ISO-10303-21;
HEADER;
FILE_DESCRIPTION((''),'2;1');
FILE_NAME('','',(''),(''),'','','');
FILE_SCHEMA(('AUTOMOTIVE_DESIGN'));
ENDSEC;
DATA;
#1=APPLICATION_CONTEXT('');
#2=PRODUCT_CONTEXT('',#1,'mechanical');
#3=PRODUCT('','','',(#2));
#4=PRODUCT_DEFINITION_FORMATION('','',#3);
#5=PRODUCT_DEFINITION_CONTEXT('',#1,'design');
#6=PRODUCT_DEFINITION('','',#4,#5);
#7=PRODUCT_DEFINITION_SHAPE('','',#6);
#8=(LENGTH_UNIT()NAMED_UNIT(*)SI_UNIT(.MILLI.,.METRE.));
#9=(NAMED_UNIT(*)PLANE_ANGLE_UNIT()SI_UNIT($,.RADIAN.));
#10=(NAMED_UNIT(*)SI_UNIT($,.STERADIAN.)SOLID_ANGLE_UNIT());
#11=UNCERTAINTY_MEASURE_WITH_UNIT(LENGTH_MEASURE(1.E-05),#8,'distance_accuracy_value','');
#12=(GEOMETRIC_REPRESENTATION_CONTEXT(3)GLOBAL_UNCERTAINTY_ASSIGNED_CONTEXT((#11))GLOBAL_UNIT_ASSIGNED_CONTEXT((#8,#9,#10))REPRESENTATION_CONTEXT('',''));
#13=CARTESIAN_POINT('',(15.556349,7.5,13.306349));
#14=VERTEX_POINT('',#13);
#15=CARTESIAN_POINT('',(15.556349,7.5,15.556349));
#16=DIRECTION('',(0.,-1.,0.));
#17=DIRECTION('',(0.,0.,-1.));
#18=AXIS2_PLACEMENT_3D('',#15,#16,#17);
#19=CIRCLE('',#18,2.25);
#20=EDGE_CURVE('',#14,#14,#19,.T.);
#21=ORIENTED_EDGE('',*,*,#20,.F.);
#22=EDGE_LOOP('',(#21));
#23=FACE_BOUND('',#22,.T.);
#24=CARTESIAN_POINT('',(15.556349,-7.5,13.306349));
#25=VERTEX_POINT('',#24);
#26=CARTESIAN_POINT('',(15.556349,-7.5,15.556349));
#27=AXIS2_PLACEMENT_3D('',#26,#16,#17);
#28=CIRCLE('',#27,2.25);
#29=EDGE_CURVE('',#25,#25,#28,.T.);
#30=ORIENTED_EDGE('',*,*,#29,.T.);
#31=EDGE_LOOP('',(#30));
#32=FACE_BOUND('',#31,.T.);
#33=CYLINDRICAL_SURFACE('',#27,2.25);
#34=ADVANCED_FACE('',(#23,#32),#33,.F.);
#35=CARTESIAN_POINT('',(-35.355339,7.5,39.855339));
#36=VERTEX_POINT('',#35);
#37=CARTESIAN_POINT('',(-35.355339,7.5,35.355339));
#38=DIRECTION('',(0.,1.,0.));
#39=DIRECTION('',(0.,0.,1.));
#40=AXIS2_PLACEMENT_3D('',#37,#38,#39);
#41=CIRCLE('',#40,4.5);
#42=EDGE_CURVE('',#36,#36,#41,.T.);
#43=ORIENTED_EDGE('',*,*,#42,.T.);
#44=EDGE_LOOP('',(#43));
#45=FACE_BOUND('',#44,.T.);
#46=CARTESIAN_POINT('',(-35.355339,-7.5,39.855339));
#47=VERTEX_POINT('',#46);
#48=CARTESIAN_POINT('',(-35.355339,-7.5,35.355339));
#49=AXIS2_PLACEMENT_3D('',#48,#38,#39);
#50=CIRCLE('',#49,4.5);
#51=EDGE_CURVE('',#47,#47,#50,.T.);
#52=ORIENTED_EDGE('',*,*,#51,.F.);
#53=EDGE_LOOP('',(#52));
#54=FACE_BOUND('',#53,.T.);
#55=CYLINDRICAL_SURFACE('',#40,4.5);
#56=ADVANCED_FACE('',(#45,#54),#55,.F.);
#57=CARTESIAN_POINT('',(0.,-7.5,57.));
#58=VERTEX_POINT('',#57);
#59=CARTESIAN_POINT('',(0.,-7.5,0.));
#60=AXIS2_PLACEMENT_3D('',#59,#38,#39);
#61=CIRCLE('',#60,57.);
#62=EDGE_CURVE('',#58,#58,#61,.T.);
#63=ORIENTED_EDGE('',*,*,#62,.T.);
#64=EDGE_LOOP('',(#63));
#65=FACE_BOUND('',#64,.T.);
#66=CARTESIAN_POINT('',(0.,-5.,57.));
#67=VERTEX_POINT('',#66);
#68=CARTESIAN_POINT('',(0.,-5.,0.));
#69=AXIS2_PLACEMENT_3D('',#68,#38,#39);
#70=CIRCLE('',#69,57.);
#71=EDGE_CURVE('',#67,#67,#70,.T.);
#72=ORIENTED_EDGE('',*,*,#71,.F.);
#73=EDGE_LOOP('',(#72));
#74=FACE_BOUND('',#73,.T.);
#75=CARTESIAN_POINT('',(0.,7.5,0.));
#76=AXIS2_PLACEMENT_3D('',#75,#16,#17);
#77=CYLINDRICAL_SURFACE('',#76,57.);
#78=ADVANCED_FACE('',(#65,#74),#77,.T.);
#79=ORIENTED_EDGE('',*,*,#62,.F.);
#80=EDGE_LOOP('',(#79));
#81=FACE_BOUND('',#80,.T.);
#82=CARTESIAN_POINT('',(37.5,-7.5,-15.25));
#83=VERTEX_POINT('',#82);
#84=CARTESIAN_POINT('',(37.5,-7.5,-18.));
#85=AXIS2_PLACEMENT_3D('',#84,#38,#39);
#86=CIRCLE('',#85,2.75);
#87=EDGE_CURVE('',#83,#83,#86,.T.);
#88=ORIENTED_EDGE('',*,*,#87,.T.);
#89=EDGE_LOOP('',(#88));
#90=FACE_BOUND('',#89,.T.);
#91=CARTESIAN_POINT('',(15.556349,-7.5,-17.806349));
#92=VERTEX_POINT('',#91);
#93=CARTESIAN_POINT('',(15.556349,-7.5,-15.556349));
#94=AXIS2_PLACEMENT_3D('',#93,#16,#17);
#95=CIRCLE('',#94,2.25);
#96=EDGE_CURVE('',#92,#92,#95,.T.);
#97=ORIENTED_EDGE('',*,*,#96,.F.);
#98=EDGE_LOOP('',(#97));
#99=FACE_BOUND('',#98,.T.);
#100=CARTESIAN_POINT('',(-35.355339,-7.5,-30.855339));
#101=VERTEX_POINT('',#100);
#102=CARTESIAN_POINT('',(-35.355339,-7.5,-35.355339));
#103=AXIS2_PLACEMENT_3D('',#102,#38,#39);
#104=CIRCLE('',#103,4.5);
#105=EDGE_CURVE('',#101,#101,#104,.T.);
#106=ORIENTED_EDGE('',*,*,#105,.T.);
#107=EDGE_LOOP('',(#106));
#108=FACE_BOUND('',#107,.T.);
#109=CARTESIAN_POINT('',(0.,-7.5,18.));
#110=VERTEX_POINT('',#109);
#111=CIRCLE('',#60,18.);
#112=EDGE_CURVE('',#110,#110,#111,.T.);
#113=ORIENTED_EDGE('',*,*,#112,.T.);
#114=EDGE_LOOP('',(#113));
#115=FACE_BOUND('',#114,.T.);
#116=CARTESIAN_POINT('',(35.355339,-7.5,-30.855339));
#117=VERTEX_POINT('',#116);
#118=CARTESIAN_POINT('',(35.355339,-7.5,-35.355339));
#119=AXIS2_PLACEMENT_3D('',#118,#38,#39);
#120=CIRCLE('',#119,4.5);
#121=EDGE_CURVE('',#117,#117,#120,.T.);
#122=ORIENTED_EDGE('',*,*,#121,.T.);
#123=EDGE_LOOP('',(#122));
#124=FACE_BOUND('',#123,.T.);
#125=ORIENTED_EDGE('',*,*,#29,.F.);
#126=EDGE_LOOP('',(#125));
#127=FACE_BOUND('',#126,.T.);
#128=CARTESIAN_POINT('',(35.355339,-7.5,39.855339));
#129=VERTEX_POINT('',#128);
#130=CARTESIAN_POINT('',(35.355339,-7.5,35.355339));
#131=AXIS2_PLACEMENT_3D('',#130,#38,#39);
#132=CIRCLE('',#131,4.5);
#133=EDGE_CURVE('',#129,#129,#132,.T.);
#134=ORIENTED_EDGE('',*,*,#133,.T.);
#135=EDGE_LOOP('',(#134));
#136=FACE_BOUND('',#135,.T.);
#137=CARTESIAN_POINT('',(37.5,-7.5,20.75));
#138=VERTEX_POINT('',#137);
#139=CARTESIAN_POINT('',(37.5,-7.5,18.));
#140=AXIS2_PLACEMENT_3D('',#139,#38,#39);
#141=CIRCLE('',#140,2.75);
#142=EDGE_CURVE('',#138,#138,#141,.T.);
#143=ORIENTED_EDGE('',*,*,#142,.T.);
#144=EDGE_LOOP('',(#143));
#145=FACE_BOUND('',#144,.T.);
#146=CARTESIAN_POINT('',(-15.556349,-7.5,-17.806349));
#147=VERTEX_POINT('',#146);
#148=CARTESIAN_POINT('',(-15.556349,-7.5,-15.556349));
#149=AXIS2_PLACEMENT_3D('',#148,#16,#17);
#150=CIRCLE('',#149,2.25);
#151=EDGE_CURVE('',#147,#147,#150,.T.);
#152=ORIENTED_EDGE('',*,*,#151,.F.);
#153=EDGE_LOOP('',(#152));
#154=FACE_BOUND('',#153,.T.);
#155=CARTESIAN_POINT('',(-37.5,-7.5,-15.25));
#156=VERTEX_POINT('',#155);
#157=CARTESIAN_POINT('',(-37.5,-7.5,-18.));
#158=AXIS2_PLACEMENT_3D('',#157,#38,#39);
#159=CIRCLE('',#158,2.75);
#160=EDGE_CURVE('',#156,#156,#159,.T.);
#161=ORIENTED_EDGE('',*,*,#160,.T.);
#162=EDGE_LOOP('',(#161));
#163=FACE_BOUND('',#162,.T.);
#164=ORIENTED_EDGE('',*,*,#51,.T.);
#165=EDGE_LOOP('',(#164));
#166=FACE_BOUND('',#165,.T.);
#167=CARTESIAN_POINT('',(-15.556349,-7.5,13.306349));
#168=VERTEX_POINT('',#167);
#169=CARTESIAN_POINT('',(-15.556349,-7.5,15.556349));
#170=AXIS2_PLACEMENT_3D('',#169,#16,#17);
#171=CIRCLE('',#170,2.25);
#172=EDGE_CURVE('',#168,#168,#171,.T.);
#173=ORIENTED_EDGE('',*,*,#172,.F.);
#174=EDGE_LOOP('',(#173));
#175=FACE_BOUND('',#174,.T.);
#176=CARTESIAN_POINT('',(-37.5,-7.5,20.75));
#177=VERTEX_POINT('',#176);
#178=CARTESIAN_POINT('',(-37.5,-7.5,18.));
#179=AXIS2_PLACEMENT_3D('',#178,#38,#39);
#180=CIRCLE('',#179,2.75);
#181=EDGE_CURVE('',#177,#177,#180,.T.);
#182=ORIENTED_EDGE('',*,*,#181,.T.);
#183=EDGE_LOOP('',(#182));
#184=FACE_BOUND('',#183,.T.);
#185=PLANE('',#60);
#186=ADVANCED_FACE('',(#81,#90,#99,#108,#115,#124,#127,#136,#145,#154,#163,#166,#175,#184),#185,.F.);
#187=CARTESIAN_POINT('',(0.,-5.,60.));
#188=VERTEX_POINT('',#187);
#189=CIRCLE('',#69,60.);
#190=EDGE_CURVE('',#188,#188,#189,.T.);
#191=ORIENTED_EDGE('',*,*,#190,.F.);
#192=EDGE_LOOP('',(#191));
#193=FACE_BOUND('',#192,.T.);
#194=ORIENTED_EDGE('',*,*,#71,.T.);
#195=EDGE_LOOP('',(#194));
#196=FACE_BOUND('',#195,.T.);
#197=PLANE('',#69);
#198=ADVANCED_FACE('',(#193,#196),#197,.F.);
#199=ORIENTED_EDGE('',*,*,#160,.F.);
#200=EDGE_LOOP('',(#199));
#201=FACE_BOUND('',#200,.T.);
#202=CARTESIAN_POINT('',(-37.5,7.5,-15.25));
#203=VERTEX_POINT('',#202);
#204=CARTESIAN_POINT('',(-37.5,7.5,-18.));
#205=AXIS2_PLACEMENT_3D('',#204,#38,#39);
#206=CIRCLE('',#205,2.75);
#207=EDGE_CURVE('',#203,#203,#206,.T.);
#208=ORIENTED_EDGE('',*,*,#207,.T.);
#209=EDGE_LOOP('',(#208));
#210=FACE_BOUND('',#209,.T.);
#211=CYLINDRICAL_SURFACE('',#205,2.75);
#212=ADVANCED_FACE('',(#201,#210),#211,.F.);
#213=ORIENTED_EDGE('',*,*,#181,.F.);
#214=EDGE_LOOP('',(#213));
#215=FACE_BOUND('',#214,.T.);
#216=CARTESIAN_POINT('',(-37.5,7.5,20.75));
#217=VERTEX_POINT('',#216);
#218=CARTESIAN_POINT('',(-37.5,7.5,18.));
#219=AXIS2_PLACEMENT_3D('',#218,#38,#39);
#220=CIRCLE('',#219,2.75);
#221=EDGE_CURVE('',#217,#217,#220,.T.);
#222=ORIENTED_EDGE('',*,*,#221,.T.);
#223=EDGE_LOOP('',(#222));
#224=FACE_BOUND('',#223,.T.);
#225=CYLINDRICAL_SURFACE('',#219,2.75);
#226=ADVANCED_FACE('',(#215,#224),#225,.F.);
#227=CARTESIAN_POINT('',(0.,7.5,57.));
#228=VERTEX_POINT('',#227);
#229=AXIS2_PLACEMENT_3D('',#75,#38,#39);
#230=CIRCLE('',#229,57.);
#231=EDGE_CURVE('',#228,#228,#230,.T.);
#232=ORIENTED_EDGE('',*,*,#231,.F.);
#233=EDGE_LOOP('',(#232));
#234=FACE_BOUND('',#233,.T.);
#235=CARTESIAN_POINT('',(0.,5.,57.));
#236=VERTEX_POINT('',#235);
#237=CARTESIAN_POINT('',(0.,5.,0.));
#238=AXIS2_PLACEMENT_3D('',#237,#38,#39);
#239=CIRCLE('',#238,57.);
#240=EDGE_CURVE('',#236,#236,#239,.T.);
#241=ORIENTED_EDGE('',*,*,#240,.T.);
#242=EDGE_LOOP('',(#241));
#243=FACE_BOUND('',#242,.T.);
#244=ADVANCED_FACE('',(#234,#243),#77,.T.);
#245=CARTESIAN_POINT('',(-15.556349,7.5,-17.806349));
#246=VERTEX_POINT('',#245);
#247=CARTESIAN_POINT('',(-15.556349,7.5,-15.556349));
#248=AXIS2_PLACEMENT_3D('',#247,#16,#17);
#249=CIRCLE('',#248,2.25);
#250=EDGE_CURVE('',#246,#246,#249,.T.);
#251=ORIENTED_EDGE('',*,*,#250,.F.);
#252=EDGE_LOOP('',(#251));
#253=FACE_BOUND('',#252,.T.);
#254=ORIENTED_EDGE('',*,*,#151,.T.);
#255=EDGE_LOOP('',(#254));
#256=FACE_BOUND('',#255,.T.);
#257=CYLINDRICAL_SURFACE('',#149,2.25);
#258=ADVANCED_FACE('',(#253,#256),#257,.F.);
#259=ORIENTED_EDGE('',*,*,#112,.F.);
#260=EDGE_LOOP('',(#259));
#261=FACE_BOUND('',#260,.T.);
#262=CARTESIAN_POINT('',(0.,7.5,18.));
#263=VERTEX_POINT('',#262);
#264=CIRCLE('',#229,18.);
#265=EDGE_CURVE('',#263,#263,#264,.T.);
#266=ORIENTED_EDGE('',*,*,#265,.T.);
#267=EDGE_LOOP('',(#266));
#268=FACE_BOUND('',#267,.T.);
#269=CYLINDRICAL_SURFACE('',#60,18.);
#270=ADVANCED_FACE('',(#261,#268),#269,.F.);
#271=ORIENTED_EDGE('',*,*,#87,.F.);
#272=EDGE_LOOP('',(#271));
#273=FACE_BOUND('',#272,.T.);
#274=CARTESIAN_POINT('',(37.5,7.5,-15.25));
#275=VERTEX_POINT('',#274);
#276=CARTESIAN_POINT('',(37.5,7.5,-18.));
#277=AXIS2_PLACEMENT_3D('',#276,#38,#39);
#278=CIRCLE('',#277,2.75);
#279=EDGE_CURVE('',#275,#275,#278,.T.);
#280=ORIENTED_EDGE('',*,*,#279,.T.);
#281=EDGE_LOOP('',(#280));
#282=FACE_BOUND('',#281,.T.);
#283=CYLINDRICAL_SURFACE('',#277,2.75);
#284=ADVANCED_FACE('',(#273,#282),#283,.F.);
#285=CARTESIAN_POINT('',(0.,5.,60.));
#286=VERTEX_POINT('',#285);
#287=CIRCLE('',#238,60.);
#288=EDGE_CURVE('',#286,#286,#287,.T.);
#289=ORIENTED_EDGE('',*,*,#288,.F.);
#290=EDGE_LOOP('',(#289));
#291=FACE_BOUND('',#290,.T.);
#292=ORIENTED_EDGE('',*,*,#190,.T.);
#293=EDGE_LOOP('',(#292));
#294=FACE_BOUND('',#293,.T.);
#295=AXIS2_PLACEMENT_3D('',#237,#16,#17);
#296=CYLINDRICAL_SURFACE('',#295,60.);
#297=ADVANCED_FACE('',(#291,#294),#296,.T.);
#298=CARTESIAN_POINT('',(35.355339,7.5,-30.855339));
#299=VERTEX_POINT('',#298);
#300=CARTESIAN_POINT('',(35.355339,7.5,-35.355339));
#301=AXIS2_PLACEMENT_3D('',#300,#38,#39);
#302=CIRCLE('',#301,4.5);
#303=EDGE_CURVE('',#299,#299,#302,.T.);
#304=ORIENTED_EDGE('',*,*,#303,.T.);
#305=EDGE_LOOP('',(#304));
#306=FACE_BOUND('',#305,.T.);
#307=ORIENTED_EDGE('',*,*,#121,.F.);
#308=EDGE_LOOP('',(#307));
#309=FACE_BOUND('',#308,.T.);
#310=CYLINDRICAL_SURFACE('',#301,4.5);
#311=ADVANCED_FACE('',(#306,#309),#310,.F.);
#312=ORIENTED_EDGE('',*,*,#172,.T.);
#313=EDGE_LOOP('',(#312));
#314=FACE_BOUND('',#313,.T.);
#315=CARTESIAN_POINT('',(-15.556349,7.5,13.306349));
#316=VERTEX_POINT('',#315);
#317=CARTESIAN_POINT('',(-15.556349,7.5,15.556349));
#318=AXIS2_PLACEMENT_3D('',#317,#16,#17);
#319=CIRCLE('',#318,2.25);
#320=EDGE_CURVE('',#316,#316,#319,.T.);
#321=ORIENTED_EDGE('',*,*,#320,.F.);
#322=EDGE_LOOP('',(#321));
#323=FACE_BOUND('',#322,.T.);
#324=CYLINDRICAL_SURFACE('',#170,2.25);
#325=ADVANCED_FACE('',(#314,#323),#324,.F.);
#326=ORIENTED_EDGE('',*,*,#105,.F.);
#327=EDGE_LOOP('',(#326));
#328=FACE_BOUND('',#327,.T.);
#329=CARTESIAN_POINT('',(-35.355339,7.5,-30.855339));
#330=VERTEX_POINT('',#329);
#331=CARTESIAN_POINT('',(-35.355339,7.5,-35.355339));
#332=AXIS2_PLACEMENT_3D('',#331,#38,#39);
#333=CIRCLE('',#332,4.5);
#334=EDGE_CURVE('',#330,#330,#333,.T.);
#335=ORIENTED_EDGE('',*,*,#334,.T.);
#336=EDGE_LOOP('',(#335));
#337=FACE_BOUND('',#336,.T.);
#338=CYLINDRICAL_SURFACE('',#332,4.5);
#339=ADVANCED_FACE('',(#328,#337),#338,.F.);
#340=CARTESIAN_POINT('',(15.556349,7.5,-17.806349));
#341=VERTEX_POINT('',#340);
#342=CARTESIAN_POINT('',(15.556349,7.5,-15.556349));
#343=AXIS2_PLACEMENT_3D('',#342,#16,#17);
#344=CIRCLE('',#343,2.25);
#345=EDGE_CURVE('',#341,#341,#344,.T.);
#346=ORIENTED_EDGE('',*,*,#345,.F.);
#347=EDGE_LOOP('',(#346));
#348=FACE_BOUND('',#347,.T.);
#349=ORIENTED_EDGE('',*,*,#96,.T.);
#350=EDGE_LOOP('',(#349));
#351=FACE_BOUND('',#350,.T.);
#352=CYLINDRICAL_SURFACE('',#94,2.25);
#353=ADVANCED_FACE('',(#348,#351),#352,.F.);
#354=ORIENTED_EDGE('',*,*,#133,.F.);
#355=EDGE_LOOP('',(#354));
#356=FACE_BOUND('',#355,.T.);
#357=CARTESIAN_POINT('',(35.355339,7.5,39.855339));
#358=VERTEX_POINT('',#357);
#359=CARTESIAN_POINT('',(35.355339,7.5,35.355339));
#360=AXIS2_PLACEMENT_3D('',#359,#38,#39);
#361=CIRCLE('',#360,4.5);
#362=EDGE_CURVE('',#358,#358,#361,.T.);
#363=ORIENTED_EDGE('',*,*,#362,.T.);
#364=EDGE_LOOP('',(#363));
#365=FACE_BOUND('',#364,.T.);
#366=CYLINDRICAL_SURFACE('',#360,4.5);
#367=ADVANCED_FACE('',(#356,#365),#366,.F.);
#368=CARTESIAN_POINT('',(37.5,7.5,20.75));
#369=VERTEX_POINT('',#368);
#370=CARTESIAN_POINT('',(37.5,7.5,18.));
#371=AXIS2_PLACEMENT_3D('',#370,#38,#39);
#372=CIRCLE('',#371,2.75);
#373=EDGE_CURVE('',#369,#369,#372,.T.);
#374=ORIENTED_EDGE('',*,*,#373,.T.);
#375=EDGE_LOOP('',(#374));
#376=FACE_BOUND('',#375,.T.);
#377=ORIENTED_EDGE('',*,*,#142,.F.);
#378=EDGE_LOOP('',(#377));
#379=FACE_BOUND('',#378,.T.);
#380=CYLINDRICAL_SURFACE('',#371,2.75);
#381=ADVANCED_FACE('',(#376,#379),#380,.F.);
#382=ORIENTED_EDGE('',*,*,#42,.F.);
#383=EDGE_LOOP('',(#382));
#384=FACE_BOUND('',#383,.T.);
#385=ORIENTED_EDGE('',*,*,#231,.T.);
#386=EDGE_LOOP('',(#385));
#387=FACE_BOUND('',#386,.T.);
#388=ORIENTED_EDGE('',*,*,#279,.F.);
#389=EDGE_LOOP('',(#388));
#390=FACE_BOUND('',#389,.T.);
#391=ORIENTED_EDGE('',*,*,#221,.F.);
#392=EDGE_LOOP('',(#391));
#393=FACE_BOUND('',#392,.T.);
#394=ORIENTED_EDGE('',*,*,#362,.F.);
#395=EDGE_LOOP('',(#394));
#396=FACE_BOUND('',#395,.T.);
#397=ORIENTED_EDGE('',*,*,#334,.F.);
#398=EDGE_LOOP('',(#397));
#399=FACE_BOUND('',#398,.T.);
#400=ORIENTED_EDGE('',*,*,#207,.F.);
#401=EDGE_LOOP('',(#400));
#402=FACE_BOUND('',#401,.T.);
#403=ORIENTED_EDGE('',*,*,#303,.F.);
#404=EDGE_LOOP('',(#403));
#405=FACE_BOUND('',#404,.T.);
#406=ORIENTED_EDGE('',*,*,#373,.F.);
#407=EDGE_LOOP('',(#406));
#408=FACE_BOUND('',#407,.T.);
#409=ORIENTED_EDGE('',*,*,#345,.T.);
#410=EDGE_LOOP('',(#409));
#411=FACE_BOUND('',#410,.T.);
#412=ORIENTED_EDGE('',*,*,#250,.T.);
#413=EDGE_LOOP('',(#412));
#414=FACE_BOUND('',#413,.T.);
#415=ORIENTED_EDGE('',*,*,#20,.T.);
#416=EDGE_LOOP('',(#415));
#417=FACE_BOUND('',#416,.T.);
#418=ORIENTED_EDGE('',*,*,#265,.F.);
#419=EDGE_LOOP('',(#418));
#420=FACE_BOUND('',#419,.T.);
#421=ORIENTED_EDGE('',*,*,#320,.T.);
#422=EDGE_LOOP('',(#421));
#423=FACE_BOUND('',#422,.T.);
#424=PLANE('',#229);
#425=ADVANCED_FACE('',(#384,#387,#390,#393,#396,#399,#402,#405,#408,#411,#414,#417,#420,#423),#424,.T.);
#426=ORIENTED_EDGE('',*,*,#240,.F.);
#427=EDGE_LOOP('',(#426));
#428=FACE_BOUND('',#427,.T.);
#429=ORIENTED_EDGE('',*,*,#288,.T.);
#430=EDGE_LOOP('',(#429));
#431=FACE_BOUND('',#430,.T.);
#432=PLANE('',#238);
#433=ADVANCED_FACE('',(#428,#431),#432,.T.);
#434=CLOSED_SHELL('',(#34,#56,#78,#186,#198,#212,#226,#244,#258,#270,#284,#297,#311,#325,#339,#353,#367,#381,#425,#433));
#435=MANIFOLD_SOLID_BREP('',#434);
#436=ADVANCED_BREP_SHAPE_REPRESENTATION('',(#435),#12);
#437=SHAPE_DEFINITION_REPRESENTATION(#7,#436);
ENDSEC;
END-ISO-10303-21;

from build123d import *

# Parameters (mm, degrees)
SKETCH1_R                  = 57
EXTRUDE4_DEPTH             = 7.5
SKETCH_R                   = 60
SKETCH_R_2                 = 57
EXTRUDE5_DEPTH             = 5
EXTRUDE6_DEPTH             = 86.183625187
EXTRUDE6_DEPTH_BACK        = 86.183625187
SKETCH5_R                  = 18
F_4_5_4_5_DIAMETER_HOLE1_D = 4.5
CIRPATTERN1_COUNT          = 4
M5_CLEARANCE_HOLE1_D       = 5.5
M8_CLEARANCE_HOLE2_D       = 9
CIRPATTERN3_COUNT          = 4


with BuildPart() as part:
    # Sketch1 → Extrude4 (new, symmetric)
    with BuildSketch(Plane(origin=(0, 0, 0), x_dir=(1, 0, 0), z_dir=(0, 1, 0))):
        Circle(SKETCH1_R)
    extrude(amount=EXTRUDE4_DEPTH, both=True)

    # Sketch → Extrude5 (add, symmetric)
    with BuildSketch(Plane(origin=(0, 0, 0), x_dir=(1, 0, 0), z_dir=(0, 1, 0))):
        Circle(SKETCH_R)
        Circle(SKETCH_R_2, mode=Mode.SUBTRACT)
    extrude(amount=EXTRUDE5_DEPTH, both=True)

    # Sketch5 → Extrude6 (cut, two sides: drawn at the far end of the back side and taken through both)
    with BuildSketch(Plane(origin=(0, 0, 0), x_dir=(1, 0, 0), z_dir=(0, 1, 0)).offset(-EXTRUDE6_DEPTH_BACK)):
        Circle(SKETCH5_R)
    extrude(amount=EXTRUDE6_DEPTH + EXTRUDE6_DEPTH_BACK, mode=Mode.SUBTRACT)

    # Ø4.5 (4.5) Diameter Hole1 (through all)
    with Locations(Plane(origin=(0, -7.5, 0), x_dir=(-1, 0, 0), z_dir=(0, -1, 0))):
        with Locations((15.556349186, 15.556349186)):
            f_4_5_4_5_diameter_hole1 = Hole(F_4_5_4_5_DIAMETER_HOLE1_D / 2)

    # CirPattern1: Ø4.5 (4.5) Diameter Hole1 ×4 about axis
    cirpattern1_axis = Axis((0, -8.25, 0), (0, 1, 0))
    for i in range(1, CIRPATTERN1_COUNT):
        add(f_4_5_4_5_diameter_hole1.rotate(cirpattern1_axis, i * 360 / CIRPATTERN1_COUNT), mode=Mode.SUBTRACT)

    # M5 Clearance Hole1 (through all)
    with Locations(Plane(origin=(0, 7.5, 0), x_dir=(1, 0, 0), z_dir=(0, 1, 0))):
        with Locations((-37.5, 18), (-37.5, -18), (37.5, -18), (37.5, 18)):
            Hole(M5_CLEARANCE_HOLE1_D / 2)

    # M8 Clearance Hole2 (through all)
    with Locations(Plane(origin=(0, 7.5, 0), x_dir=(1, 0, 0), z_dir=(0, 1, 0))):
        with Locations((-35.355339059, -35.355339059)):
            m8_clearance_hole2 = Hole(M8_CLEARANCE_HOLE2_D / 2)

    # CirPattern3: M8 Clearance Hole2 ×4 about axis
    cirpattern3_axis = Axis((0, -8.25, 0), (0, 1, 0))
    for i in range(1, CIRPATTERN3_COUNT):
        add(m8_clearance_hole2.rotate(cirpattern3_axis, i * 360 / CIRPATTERN3_COUNT), mode=Mode.SUBTRACT)


solid = part.part
